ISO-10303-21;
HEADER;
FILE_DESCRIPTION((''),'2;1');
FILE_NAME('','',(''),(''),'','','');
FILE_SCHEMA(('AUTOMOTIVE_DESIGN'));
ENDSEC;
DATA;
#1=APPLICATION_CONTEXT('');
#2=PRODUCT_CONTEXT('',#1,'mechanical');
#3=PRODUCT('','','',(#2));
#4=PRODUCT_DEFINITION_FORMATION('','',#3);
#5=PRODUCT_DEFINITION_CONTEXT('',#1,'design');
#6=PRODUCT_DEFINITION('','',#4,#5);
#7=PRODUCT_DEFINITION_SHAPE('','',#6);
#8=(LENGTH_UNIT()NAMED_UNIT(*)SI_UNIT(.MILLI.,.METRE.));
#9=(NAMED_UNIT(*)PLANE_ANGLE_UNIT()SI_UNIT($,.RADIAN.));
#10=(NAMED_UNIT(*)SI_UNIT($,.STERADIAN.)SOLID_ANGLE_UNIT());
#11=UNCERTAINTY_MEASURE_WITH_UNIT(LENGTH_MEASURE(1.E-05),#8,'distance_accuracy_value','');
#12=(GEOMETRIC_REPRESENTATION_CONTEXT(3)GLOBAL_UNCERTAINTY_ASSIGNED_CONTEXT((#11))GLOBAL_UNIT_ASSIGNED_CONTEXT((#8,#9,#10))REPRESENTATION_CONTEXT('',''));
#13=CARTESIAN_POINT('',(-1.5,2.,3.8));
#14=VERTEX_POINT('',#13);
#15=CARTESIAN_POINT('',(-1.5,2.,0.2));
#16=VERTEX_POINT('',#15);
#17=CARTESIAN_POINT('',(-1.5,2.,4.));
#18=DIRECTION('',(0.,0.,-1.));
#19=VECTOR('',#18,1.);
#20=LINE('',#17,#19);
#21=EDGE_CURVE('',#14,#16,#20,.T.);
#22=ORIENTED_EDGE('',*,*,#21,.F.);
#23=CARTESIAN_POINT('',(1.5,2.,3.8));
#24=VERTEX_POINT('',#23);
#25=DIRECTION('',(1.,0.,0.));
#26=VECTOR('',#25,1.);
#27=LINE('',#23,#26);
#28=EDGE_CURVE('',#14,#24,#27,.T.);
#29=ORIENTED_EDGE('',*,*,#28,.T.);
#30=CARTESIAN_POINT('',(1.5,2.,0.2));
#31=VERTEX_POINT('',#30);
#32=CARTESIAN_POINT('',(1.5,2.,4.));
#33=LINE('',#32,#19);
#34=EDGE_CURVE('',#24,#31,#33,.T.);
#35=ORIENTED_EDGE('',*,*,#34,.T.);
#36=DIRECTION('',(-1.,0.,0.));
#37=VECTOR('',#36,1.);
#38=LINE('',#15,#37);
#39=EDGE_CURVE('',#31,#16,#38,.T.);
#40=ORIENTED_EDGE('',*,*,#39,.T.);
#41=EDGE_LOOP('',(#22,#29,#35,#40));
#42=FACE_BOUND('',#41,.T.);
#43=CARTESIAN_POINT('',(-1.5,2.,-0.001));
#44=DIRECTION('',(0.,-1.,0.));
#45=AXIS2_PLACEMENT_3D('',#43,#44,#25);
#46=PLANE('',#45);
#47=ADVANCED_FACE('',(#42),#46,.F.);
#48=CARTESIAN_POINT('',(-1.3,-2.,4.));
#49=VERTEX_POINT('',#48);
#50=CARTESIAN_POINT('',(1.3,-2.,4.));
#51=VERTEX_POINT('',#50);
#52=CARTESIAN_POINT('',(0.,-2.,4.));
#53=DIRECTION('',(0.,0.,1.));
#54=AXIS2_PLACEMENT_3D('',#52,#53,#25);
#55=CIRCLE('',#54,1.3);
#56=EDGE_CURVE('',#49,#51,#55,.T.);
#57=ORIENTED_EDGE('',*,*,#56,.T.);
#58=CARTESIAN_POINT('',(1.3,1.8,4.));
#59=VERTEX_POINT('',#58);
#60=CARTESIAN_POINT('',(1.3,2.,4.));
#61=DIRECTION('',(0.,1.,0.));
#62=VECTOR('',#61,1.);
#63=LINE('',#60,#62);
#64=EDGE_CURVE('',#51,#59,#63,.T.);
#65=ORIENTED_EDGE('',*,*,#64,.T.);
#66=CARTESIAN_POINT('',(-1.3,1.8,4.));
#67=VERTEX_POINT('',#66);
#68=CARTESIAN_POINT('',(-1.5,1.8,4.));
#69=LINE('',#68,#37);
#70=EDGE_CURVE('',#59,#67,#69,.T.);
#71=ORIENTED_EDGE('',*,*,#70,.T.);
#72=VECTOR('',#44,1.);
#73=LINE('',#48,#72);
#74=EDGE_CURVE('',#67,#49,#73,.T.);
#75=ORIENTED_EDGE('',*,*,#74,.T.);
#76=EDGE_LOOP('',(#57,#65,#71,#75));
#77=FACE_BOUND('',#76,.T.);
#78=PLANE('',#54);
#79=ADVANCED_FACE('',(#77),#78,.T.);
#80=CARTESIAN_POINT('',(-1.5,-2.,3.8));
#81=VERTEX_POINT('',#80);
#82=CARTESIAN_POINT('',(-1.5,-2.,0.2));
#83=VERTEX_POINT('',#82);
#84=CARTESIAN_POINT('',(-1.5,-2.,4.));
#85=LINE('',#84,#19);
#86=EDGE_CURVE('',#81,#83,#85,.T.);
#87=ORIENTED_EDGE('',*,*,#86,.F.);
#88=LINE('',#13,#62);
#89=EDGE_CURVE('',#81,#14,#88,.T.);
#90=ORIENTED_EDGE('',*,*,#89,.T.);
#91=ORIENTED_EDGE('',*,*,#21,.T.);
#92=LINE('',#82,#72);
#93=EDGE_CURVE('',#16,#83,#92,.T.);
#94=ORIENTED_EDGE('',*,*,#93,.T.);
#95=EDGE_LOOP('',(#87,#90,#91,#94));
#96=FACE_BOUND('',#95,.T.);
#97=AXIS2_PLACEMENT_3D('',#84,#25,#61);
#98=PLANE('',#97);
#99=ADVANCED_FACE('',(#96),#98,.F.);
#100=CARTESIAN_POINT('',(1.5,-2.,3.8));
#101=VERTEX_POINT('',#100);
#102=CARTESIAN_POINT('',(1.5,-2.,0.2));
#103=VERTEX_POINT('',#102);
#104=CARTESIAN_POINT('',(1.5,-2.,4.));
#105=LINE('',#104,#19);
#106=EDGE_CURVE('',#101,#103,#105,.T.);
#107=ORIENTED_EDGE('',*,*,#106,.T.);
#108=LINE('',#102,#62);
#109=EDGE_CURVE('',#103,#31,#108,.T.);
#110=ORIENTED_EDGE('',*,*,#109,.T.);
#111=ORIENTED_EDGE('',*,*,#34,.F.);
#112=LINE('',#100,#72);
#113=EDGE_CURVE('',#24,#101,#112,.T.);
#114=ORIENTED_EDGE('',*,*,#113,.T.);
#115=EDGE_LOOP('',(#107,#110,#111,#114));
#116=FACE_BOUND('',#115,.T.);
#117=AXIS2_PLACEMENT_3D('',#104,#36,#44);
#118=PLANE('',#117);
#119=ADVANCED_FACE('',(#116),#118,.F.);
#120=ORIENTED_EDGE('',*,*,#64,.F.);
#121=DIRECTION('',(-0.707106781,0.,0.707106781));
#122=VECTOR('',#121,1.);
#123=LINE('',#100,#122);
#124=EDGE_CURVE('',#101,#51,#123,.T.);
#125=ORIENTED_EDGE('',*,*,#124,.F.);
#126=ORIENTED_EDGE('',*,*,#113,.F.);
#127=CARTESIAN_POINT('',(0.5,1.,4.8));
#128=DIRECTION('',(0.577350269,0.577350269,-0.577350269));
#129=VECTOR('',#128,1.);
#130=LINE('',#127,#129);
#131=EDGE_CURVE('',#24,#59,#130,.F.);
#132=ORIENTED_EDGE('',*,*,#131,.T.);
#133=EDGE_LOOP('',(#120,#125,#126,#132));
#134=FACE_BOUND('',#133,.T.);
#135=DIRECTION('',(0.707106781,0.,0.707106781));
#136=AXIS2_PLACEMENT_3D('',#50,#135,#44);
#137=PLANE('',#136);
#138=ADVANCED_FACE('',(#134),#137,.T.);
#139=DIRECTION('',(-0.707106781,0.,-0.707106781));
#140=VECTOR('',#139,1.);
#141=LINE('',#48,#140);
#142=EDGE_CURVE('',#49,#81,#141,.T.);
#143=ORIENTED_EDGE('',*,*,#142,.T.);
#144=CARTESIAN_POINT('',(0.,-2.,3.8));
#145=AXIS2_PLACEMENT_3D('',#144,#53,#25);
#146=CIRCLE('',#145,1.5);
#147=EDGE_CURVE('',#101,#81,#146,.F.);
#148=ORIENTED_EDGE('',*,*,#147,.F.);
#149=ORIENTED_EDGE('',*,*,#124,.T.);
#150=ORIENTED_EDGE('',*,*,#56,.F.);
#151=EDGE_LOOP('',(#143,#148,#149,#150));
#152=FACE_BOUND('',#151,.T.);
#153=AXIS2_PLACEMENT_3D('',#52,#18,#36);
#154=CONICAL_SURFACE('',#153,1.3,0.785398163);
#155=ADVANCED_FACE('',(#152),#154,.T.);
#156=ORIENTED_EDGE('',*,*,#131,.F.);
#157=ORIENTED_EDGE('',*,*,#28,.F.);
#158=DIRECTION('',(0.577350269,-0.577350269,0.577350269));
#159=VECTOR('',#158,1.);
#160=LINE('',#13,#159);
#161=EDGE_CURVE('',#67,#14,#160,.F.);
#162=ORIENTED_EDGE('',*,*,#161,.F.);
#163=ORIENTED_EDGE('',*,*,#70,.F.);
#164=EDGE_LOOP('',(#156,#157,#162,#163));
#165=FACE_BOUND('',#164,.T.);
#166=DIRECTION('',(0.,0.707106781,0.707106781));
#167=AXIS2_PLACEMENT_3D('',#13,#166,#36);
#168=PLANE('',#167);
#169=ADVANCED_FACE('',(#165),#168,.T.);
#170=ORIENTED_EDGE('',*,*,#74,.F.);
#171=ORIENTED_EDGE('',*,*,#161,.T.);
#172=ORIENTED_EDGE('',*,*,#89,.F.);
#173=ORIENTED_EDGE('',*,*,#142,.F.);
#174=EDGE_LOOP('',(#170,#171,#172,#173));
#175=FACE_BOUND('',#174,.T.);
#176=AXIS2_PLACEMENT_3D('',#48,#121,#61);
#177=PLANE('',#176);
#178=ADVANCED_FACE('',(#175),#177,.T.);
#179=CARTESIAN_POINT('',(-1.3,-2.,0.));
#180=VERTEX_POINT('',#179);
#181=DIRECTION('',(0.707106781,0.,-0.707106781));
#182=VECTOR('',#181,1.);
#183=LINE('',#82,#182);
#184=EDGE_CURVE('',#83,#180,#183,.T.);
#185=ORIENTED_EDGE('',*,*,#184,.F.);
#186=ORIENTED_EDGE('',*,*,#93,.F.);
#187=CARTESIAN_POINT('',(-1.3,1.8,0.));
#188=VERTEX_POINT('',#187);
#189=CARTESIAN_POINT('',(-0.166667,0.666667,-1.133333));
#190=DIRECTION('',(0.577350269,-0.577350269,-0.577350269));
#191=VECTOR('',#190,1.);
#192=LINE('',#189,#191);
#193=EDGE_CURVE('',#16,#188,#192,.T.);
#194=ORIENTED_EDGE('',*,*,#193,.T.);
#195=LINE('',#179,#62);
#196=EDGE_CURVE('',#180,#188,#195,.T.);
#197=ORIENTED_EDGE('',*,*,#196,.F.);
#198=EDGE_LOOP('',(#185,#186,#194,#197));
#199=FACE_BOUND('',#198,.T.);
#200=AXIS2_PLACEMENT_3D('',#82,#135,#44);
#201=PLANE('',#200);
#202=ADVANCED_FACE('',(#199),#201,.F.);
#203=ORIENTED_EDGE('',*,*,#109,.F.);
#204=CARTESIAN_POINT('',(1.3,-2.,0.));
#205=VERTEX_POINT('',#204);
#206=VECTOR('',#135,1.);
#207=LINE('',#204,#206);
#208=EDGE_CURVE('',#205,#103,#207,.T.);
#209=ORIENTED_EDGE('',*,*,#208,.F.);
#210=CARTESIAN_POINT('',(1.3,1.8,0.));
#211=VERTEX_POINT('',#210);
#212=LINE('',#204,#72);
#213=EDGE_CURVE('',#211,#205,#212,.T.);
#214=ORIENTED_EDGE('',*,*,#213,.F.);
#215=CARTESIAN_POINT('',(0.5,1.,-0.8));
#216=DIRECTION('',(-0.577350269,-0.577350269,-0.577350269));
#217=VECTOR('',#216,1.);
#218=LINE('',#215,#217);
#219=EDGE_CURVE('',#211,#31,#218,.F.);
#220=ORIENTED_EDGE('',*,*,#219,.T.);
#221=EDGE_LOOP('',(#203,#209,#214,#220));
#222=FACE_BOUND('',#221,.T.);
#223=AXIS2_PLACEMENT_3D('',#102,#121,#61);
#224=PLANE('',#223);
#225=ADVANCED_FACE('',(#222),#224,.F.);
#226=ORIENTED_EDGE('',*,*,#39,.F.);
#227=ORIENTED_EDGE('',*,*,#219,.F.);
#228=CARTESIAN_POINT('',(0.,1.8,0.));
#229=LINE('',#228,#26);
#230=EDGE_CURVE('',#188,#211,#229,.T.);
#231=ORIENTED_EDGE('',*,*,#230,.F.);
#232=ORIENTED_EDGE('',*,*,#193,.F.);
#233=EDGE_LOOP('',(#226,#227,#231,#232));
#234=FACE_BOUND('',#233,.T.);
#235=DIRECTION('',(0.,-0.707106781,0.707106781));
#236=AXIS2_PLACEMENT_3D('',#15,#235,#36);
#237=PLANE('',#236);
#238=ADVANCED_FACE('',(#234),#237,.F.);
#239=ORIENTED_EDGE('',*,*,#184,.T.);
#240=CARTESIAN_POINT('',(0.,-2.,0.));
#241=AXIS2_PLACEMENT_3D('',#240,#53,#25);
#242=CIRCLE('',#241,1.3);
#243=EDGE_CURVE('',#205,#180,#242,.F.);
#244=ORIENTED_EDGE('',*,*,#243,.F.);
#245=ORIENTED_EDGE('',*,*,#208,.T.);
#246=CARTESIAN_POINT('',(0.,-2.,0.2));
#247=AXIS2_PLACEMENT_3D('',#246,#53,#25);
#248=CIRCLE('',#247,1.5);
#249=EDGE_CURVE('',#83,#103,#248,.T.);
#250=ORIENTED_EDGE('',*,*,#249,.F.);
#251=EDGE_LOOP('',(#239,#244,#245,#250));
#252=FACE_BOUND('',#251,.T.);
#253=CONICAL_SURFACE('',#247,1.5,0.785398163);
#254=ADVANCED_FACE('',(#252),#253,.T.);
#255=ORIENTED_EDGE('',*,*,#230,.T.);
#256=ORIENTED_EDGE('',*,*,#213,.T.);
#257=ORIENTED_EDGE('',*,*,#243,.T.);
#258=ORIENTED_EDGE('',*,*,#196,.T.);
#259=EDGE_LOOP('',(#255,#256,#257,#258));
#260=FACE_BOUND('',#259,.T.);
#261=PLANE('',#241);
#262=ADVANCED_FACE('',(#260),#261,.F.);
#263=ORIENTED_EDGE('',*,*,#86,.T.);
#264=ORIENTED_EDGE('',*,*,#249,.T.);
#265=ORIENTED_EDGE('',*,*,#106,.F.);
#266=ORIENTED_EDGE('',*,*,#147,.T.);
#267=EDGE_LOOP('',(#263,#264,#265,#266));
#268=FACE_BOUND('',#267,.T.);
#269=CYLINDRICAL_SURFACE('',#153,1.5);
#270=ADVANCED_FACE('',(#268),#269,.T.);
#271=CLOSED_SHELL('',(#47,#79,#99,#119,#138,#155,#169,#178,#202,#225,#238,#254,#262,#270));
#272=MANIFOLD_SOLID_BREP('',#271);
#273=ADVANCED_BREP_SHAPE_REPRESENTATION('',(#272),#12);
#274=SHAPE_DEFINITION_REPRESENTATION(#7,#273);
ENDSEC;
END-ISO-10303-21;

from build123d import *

# Parameters (mm, degrees)
EXTRUDE_1_DEPTH     = 4
CUT_EXTRUDE_1_REACH = 7.523
CHAMFER_1_SIZE      = 0.2


with BuildPart() as part:
    # 草图1 → 凸台-拉伸1 (new body)
    with BuildSketch(Plane.XY):
        with BuildLine():
            Line((-1.5, -2), (-1.5, 2))
            ThreePointArc((-1.5, 2), (0, 3.5), (1.5, 2))
            Line((1.5, 2), (1.5, -2))
            ThreePointArc((1.5, -2), (0, -3.5), (-1.5, -2))
        make_face()
    extrude(amount=EXTRUDE_1_DEPTH)

    # 草图2 → 切除-拉伸1 (cut, up to next)
    with BuildSketch(Plane.XY.offset(4), mode=Mode.PRIVATE) as cut_extrude_1_sk1:
        with BuildLine():
            Line((-1.5, 2), (1.5, 2))
            ThreePointArc((1.5, 2), (0, 3.5), (-1.5, 2))
        make_face()
    cut_extrude_1_tool1 = extrude(cut_extrude_1_sk1.sketch, amount=-CUT_EXTRUDE_1_REACH, mode=Mode.PRIVATE) & part.part
    add(cut_extrude_1_tool1.solids().sort_by_distance((0, 2.63662, 4))[0], mode=Mode.SUBTRACT)

    # 倒角1
    chamfer_1_edges = [part.edges().sort_by_distance(p)[0] for p in [
        (0, 2, 4),
        (-1.5, 0, 4),
        (0, 2, 0),
        (0, -3.5, 4),
        (-1.5, 0, 0),
        (1.5, 0, 0),
        (0, -3.5, 0),
        (1.5, 0, 4),
    ]]
    chamfer(chamfer_1_edges, length=CHAMFER_1_SIZE)


solid = part.part
